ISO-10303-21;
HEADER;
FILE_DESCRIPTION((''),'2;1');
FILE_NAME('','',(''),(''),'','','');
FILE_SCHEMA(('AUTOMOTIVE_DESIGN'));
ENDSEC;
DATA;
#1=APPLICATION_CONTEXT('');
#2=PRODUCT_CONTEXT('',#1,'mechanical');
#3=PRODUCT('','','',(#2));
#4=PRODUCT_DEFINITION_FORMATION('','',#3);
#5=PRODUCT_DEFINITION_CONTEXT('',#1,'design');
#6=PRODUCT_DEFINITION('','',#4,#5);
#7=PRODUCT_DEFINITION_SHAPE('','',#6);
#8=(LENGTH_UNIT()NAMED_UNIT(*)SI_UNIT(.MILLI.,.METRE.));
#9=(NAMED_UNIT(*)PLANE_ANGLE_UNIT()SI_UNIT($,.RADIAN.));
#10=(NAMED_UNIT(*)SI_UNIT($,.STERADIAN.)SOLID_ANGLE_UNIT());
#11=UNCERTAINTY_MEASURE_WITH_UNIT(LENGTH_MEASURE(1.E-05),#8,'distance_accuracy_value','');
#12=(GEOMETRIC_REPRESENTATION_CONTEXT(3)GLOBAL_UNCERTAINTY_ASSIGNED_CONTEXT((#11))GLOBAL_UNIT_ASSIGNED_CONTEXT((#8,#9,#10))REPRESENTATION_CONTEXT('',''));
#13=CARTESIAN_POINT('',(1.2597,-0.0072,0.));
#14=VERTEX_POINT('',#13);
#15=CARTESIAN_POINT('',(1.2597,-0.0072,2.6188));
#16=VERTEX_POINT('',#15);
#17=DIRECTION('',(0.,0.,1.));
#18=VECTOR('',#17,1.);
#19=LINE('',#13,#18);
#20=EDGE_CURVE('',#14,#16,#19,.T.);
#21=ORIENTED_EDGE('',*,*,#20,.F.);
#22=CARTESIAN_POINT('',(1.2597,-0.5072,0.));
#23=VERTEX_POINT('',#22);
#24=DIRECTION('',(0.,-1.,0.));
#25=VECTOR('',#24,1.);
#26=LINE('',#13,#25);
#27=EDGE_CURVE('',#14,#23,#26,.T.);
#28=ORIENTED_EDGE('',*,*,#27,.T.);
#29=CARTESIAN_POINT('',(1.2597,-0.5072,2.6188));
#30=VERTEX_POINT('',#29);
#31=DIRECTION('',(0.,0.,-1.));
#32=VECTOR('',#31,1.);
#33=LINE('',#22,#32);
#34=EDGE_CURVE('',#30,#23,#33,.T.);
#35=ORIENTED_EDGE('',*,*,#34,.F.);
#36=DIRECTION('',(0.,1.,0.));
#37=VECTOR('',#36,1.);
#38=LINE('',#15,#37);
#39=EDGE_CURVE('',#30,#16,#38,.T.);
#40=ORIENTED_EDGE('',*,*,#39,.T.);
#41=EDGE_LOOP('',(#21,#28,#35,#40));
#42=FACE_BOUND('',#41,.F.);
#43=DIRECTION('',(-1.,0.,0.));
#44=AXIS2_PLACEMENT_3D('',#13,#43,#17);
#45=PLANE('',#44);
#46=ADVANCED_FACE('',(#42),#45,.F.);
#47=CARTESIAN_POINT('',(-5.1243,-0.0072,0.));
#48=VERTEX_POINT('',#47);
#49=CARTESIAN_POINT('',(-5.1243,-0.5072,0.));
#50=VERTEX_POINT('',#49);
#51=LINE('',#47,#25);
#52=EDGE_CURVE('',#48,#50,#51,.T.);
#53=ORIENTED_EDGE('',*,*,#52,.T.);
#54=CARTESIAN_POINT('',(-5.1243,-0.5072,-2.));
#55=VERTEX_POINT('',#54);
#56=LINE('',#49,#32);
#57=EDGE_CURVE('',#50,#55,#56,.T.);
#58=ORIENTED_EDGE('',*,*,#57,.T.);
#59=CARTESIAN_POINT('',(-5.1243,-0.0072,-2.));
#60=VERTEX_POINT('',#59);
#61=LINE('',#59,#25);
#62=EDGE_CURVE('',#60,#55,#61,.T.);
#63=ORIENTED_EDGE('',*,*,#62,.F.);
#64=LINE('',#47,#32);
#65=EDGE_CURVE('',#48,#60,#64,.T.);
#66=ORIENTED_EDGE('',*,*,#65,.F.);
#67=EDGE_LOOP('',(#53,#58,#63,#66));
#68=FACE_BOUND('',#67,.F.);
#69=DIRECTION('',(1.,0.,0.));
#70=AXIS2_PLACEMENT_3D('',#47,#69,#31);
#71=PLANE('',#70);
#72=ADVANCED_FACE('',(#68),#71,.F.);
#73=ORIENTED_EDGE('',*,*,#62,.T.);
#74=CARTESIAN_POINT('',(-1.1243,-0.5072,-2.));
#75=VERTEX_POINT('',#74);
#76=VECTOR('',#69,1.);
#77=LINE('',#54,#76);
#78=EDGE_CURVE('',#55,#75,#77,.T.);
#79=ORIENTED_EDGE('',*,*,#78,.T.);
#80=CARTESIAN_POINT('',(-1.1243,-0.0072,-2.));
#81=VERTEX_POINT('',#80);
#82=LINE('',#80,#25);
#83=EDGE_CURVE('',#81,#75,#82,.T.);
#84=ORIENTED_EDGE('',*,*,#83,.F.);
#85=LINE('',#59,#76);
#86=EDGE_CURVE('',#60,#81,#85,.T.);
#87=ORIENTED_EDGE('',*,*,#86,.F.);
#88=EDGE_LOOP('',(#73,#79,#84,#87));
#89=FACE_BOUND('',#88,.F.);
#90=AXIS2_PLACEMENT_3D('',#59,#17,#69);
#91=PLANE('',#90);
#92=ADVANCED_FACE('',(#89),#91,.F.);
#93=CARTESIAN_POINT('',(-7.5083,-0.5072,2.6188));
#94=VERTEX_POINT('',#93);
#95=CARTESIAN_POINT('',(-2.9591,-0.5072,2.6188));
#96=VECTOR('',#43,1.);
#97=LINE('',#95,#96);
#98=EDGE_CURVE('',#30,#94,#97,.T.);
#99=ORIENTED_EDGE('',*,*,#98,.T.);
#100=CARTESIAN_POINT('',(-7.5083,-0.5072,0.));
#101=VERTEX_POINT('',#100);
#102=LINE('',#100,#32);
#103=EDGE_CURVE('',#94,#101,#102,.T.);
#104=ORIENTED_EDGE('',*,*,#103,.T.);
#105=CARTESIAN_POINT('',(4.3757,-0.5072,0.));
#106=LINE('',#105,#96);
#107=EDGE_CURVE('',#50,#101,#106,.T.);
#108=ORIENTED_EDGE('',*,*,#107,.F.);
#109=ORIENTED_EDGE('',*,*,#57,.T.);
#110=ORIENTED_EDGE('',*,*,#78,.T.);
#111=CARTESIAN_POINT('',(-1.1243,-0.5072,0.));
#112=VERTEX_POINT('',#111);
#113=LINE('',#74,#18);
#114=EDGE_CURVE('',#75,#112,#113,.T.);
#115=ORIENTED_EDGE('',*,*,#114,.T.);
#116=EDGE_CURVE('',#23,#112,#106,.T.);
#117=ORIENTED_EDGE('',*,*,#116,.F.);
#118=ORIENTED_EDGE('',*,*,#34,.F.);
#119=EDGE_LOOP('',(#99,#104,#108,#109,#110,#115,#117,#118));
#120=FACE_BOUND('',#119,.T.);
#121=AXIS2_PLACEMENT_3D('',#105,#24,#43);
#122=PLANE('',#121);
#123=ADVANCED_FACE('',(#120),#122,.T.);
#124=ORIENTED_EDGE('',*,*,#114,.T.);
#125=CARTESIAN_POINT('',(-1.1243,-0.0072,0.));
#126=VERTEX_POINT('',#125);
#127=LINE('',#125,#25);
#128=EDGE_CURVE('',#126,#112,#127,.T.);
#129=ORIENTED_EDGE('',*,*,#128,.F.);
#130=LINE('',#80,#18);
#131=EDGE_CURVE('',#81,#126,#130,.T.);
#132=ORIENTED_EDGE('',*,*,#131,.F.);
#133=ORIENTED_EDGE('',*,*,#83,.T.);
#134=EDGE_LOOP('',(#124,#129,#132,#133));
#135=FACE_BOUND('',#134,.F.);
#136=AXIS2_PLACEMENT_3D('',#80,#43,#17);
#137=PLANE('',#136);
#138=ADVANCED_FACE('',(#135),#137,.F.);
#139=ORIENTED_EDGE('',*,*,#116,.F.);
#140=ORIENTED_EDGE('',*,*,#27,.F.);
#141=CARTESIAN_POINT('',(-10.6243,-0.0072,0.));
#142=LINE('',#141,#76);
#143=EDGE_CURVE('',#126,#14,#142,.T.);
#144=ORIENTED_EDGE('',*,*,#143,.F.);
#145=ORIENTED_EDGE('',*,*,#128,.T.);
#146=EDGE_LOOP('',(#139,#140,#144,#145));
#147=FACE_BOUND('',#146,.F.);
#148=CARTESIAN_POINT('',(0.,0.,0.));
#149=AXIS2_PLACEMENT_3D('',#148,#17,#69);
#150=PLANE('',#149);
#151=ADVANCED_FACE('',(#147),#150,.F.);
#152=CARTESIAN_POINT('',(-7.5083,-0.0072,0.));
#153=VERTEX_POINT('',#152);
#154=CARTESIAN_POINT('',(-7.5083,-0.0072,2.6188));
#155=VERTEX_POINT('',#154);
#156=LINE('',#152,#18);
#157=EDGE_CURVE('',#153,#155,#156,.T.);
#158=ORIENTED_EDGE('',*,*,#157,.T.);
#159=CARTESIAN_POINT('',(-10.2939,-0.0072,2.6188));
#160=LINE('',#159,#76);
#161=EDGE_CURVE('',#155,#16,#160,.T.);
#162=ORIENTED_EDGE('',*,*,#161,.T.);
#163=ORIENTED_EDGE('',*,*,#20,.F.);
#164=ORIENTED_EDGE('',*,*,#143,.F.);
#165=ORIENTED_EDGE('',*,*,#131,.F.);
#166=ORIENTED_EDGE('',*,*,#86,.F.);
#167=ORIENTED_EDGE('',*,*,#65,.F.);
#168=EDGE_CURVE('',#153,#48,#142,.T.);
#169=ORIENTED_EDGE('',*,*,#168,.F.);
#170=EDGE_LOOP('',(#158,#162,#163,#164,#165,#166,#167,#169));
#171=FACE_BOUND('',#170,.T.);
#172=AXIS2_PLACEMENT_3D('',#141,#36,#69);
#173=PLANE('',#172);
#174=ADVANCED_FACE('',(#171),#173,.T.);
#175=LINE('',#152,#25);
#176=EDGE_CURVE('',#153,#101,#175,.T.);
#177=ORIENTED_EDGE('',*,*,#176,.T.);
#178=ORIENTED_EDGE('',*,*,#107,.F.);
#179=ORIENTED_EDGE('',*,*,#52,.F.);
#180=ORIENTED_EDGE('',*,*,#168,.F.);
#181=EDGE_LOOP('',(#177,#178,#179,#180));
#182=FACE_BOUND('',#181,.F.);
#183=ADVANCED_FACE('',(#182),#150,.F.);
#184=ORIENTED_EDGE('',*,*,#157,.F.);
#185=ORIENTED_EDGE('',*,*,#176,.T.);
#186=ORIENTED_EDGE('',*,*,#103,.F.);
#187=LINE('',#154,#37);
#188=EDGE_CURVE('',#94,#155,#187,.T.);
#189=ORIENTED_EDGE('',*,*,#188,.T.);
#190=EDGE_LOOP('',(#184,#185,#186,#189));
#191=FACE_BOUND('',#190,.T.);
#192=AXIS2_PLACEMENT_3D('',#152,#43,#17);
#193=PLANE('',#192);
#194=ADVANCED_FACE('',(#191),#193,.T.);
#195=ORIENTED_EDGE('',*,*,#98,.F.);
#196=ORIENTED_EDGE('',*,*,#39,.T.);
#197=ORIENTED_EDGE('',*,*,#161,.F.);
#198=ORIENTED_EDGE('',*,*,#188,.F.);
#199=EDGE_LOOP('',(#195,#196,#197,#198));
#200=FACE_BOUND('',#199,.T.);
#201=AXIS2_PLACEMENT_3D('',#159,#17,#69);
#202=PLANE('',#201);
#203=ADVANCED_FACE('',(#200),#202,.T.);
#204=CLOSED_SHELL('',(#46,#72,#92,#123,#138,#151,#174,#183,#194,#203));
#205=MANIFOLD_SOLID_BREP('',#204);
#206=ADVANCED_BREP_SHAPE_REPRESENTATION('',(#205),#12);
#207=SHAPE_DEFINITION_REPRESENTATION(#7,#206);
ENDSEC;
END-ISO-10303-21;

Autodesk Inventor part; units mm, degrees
ref_plane "YZ Plane" through (0, 0, 0) normal (1, 0, 0) x (0, 1, 0)
ref_plane "XZ Plane" through (0, 0, 0) normal (0, 1, 0) x (-1, 0, 0)
ref_plane "XY Plane" through (0, 0, 0) normal (0, 0, 1) x (1, 0, 0)
sketch "Sketch1" plane through (0, 0, 0) normal (0, 0, 1) x (1, 0, 0)
  line L0 (-10.6243, -0.0072) -> (4.3757, -0.0072)
  line L1 (4.3757, -0.0072) -> (4.3757, -0.5072)
  line L2 (4.3757, -0.5072) -> (-10.6243, -0.5072)
  line L3 (-10.6243, -0.5072) -> (-10.6243, -0.0072)
  point P0 (0, 0)
  dimension "d0" = 0.5
  dimension "d1" = 15
extrude "Extrusion1" add sketch "Sketch1" along normal blind 10
sketch "Sketch2" plane through (-10.6243, -0.0072, 0) normal (0, 1, 0) x (1, 0, 0)
  line L0 (0, 0) -> (15, 0) construction
  line L1 (7.5, 0) -> (7.5, -10.8529) construction
  line L2 (15, -5.4265) -> (-1.0951, -5.4265) construction
  line L3 (5.5, 2) -> (9.5, 2)
  line L4 (9.5, 2) -> (9.5, 0)
  line L5 (9.5, 0) -> (5.5, 0)
  line L6 (5.5, 0) -> (5.5, 2)
  point P0 (10.6243, 0)
  dimension "d4" = 4
  dimension "d5" = 2
extrude "Extrusion2" add sketch "Sketch2" against normal blind 0.5
sketch "Sketch3" plane through (-10.6243, -0.0072, 10) normal (0, 1, 0) x (1, 0, 0)
  line L0 (0, 10) -> (5.5, 10) projected
  line L1 (0, 10) -> (0, 0) projected
  line L2 (15, 0) -> (0, 0) projected
  line L3 (15, 10) -> (15, 0) projected
  line L4 (9.5, 10) -> (15, 10) projected
  line L5 (9.5, 12) -> (9.5, 10) projected
  line L6 (5.5, 12) -> (9.5, 12) projected
  line L7 (5.5, 10) -> (5.5, 12) projected
  line L8 (3.116, 10) -> (3.116, 0)
  line L9 (15, 0) -> (0, 0) projected
  line L10 (15, 10) -> (9.5, 10) projected
  line L11 (11.884, 10) -> (11.884, 0)
  line L12 (5.5, 12) -> (9.5, 12) construction
  line L13 (7.5, 12) -> (7.5, 0) construction
  point P0 (10.6243, 10)
extrude "Extrusion3" cut sketch "Sketch3" against normal blind 1 contours L0 L8 L2 L1 | L11 L4 L3 L2
sketch "Sketch4" plane through (-5.1243, -0.0072, -2) normal (0, 1, 0) x (1, 0, 0)
  line L0 (8.8107, -14.8925) -> (-5.1696, -14.8925)
  line L1 (-5.1696, -14.8925) -> (-5.1696, -4.6188)
  line L2 (-5.1696, -4.6188) -> (8.8107, -4.6188)
  line L3 (8.8107, -4.6188) -> (8.8107, -14.8925)
  point P0 (5.1243, -2)
extrude "Extrusion4" cut sketch "Sketch4" against normal blind 1
properties part number "Side wall"
